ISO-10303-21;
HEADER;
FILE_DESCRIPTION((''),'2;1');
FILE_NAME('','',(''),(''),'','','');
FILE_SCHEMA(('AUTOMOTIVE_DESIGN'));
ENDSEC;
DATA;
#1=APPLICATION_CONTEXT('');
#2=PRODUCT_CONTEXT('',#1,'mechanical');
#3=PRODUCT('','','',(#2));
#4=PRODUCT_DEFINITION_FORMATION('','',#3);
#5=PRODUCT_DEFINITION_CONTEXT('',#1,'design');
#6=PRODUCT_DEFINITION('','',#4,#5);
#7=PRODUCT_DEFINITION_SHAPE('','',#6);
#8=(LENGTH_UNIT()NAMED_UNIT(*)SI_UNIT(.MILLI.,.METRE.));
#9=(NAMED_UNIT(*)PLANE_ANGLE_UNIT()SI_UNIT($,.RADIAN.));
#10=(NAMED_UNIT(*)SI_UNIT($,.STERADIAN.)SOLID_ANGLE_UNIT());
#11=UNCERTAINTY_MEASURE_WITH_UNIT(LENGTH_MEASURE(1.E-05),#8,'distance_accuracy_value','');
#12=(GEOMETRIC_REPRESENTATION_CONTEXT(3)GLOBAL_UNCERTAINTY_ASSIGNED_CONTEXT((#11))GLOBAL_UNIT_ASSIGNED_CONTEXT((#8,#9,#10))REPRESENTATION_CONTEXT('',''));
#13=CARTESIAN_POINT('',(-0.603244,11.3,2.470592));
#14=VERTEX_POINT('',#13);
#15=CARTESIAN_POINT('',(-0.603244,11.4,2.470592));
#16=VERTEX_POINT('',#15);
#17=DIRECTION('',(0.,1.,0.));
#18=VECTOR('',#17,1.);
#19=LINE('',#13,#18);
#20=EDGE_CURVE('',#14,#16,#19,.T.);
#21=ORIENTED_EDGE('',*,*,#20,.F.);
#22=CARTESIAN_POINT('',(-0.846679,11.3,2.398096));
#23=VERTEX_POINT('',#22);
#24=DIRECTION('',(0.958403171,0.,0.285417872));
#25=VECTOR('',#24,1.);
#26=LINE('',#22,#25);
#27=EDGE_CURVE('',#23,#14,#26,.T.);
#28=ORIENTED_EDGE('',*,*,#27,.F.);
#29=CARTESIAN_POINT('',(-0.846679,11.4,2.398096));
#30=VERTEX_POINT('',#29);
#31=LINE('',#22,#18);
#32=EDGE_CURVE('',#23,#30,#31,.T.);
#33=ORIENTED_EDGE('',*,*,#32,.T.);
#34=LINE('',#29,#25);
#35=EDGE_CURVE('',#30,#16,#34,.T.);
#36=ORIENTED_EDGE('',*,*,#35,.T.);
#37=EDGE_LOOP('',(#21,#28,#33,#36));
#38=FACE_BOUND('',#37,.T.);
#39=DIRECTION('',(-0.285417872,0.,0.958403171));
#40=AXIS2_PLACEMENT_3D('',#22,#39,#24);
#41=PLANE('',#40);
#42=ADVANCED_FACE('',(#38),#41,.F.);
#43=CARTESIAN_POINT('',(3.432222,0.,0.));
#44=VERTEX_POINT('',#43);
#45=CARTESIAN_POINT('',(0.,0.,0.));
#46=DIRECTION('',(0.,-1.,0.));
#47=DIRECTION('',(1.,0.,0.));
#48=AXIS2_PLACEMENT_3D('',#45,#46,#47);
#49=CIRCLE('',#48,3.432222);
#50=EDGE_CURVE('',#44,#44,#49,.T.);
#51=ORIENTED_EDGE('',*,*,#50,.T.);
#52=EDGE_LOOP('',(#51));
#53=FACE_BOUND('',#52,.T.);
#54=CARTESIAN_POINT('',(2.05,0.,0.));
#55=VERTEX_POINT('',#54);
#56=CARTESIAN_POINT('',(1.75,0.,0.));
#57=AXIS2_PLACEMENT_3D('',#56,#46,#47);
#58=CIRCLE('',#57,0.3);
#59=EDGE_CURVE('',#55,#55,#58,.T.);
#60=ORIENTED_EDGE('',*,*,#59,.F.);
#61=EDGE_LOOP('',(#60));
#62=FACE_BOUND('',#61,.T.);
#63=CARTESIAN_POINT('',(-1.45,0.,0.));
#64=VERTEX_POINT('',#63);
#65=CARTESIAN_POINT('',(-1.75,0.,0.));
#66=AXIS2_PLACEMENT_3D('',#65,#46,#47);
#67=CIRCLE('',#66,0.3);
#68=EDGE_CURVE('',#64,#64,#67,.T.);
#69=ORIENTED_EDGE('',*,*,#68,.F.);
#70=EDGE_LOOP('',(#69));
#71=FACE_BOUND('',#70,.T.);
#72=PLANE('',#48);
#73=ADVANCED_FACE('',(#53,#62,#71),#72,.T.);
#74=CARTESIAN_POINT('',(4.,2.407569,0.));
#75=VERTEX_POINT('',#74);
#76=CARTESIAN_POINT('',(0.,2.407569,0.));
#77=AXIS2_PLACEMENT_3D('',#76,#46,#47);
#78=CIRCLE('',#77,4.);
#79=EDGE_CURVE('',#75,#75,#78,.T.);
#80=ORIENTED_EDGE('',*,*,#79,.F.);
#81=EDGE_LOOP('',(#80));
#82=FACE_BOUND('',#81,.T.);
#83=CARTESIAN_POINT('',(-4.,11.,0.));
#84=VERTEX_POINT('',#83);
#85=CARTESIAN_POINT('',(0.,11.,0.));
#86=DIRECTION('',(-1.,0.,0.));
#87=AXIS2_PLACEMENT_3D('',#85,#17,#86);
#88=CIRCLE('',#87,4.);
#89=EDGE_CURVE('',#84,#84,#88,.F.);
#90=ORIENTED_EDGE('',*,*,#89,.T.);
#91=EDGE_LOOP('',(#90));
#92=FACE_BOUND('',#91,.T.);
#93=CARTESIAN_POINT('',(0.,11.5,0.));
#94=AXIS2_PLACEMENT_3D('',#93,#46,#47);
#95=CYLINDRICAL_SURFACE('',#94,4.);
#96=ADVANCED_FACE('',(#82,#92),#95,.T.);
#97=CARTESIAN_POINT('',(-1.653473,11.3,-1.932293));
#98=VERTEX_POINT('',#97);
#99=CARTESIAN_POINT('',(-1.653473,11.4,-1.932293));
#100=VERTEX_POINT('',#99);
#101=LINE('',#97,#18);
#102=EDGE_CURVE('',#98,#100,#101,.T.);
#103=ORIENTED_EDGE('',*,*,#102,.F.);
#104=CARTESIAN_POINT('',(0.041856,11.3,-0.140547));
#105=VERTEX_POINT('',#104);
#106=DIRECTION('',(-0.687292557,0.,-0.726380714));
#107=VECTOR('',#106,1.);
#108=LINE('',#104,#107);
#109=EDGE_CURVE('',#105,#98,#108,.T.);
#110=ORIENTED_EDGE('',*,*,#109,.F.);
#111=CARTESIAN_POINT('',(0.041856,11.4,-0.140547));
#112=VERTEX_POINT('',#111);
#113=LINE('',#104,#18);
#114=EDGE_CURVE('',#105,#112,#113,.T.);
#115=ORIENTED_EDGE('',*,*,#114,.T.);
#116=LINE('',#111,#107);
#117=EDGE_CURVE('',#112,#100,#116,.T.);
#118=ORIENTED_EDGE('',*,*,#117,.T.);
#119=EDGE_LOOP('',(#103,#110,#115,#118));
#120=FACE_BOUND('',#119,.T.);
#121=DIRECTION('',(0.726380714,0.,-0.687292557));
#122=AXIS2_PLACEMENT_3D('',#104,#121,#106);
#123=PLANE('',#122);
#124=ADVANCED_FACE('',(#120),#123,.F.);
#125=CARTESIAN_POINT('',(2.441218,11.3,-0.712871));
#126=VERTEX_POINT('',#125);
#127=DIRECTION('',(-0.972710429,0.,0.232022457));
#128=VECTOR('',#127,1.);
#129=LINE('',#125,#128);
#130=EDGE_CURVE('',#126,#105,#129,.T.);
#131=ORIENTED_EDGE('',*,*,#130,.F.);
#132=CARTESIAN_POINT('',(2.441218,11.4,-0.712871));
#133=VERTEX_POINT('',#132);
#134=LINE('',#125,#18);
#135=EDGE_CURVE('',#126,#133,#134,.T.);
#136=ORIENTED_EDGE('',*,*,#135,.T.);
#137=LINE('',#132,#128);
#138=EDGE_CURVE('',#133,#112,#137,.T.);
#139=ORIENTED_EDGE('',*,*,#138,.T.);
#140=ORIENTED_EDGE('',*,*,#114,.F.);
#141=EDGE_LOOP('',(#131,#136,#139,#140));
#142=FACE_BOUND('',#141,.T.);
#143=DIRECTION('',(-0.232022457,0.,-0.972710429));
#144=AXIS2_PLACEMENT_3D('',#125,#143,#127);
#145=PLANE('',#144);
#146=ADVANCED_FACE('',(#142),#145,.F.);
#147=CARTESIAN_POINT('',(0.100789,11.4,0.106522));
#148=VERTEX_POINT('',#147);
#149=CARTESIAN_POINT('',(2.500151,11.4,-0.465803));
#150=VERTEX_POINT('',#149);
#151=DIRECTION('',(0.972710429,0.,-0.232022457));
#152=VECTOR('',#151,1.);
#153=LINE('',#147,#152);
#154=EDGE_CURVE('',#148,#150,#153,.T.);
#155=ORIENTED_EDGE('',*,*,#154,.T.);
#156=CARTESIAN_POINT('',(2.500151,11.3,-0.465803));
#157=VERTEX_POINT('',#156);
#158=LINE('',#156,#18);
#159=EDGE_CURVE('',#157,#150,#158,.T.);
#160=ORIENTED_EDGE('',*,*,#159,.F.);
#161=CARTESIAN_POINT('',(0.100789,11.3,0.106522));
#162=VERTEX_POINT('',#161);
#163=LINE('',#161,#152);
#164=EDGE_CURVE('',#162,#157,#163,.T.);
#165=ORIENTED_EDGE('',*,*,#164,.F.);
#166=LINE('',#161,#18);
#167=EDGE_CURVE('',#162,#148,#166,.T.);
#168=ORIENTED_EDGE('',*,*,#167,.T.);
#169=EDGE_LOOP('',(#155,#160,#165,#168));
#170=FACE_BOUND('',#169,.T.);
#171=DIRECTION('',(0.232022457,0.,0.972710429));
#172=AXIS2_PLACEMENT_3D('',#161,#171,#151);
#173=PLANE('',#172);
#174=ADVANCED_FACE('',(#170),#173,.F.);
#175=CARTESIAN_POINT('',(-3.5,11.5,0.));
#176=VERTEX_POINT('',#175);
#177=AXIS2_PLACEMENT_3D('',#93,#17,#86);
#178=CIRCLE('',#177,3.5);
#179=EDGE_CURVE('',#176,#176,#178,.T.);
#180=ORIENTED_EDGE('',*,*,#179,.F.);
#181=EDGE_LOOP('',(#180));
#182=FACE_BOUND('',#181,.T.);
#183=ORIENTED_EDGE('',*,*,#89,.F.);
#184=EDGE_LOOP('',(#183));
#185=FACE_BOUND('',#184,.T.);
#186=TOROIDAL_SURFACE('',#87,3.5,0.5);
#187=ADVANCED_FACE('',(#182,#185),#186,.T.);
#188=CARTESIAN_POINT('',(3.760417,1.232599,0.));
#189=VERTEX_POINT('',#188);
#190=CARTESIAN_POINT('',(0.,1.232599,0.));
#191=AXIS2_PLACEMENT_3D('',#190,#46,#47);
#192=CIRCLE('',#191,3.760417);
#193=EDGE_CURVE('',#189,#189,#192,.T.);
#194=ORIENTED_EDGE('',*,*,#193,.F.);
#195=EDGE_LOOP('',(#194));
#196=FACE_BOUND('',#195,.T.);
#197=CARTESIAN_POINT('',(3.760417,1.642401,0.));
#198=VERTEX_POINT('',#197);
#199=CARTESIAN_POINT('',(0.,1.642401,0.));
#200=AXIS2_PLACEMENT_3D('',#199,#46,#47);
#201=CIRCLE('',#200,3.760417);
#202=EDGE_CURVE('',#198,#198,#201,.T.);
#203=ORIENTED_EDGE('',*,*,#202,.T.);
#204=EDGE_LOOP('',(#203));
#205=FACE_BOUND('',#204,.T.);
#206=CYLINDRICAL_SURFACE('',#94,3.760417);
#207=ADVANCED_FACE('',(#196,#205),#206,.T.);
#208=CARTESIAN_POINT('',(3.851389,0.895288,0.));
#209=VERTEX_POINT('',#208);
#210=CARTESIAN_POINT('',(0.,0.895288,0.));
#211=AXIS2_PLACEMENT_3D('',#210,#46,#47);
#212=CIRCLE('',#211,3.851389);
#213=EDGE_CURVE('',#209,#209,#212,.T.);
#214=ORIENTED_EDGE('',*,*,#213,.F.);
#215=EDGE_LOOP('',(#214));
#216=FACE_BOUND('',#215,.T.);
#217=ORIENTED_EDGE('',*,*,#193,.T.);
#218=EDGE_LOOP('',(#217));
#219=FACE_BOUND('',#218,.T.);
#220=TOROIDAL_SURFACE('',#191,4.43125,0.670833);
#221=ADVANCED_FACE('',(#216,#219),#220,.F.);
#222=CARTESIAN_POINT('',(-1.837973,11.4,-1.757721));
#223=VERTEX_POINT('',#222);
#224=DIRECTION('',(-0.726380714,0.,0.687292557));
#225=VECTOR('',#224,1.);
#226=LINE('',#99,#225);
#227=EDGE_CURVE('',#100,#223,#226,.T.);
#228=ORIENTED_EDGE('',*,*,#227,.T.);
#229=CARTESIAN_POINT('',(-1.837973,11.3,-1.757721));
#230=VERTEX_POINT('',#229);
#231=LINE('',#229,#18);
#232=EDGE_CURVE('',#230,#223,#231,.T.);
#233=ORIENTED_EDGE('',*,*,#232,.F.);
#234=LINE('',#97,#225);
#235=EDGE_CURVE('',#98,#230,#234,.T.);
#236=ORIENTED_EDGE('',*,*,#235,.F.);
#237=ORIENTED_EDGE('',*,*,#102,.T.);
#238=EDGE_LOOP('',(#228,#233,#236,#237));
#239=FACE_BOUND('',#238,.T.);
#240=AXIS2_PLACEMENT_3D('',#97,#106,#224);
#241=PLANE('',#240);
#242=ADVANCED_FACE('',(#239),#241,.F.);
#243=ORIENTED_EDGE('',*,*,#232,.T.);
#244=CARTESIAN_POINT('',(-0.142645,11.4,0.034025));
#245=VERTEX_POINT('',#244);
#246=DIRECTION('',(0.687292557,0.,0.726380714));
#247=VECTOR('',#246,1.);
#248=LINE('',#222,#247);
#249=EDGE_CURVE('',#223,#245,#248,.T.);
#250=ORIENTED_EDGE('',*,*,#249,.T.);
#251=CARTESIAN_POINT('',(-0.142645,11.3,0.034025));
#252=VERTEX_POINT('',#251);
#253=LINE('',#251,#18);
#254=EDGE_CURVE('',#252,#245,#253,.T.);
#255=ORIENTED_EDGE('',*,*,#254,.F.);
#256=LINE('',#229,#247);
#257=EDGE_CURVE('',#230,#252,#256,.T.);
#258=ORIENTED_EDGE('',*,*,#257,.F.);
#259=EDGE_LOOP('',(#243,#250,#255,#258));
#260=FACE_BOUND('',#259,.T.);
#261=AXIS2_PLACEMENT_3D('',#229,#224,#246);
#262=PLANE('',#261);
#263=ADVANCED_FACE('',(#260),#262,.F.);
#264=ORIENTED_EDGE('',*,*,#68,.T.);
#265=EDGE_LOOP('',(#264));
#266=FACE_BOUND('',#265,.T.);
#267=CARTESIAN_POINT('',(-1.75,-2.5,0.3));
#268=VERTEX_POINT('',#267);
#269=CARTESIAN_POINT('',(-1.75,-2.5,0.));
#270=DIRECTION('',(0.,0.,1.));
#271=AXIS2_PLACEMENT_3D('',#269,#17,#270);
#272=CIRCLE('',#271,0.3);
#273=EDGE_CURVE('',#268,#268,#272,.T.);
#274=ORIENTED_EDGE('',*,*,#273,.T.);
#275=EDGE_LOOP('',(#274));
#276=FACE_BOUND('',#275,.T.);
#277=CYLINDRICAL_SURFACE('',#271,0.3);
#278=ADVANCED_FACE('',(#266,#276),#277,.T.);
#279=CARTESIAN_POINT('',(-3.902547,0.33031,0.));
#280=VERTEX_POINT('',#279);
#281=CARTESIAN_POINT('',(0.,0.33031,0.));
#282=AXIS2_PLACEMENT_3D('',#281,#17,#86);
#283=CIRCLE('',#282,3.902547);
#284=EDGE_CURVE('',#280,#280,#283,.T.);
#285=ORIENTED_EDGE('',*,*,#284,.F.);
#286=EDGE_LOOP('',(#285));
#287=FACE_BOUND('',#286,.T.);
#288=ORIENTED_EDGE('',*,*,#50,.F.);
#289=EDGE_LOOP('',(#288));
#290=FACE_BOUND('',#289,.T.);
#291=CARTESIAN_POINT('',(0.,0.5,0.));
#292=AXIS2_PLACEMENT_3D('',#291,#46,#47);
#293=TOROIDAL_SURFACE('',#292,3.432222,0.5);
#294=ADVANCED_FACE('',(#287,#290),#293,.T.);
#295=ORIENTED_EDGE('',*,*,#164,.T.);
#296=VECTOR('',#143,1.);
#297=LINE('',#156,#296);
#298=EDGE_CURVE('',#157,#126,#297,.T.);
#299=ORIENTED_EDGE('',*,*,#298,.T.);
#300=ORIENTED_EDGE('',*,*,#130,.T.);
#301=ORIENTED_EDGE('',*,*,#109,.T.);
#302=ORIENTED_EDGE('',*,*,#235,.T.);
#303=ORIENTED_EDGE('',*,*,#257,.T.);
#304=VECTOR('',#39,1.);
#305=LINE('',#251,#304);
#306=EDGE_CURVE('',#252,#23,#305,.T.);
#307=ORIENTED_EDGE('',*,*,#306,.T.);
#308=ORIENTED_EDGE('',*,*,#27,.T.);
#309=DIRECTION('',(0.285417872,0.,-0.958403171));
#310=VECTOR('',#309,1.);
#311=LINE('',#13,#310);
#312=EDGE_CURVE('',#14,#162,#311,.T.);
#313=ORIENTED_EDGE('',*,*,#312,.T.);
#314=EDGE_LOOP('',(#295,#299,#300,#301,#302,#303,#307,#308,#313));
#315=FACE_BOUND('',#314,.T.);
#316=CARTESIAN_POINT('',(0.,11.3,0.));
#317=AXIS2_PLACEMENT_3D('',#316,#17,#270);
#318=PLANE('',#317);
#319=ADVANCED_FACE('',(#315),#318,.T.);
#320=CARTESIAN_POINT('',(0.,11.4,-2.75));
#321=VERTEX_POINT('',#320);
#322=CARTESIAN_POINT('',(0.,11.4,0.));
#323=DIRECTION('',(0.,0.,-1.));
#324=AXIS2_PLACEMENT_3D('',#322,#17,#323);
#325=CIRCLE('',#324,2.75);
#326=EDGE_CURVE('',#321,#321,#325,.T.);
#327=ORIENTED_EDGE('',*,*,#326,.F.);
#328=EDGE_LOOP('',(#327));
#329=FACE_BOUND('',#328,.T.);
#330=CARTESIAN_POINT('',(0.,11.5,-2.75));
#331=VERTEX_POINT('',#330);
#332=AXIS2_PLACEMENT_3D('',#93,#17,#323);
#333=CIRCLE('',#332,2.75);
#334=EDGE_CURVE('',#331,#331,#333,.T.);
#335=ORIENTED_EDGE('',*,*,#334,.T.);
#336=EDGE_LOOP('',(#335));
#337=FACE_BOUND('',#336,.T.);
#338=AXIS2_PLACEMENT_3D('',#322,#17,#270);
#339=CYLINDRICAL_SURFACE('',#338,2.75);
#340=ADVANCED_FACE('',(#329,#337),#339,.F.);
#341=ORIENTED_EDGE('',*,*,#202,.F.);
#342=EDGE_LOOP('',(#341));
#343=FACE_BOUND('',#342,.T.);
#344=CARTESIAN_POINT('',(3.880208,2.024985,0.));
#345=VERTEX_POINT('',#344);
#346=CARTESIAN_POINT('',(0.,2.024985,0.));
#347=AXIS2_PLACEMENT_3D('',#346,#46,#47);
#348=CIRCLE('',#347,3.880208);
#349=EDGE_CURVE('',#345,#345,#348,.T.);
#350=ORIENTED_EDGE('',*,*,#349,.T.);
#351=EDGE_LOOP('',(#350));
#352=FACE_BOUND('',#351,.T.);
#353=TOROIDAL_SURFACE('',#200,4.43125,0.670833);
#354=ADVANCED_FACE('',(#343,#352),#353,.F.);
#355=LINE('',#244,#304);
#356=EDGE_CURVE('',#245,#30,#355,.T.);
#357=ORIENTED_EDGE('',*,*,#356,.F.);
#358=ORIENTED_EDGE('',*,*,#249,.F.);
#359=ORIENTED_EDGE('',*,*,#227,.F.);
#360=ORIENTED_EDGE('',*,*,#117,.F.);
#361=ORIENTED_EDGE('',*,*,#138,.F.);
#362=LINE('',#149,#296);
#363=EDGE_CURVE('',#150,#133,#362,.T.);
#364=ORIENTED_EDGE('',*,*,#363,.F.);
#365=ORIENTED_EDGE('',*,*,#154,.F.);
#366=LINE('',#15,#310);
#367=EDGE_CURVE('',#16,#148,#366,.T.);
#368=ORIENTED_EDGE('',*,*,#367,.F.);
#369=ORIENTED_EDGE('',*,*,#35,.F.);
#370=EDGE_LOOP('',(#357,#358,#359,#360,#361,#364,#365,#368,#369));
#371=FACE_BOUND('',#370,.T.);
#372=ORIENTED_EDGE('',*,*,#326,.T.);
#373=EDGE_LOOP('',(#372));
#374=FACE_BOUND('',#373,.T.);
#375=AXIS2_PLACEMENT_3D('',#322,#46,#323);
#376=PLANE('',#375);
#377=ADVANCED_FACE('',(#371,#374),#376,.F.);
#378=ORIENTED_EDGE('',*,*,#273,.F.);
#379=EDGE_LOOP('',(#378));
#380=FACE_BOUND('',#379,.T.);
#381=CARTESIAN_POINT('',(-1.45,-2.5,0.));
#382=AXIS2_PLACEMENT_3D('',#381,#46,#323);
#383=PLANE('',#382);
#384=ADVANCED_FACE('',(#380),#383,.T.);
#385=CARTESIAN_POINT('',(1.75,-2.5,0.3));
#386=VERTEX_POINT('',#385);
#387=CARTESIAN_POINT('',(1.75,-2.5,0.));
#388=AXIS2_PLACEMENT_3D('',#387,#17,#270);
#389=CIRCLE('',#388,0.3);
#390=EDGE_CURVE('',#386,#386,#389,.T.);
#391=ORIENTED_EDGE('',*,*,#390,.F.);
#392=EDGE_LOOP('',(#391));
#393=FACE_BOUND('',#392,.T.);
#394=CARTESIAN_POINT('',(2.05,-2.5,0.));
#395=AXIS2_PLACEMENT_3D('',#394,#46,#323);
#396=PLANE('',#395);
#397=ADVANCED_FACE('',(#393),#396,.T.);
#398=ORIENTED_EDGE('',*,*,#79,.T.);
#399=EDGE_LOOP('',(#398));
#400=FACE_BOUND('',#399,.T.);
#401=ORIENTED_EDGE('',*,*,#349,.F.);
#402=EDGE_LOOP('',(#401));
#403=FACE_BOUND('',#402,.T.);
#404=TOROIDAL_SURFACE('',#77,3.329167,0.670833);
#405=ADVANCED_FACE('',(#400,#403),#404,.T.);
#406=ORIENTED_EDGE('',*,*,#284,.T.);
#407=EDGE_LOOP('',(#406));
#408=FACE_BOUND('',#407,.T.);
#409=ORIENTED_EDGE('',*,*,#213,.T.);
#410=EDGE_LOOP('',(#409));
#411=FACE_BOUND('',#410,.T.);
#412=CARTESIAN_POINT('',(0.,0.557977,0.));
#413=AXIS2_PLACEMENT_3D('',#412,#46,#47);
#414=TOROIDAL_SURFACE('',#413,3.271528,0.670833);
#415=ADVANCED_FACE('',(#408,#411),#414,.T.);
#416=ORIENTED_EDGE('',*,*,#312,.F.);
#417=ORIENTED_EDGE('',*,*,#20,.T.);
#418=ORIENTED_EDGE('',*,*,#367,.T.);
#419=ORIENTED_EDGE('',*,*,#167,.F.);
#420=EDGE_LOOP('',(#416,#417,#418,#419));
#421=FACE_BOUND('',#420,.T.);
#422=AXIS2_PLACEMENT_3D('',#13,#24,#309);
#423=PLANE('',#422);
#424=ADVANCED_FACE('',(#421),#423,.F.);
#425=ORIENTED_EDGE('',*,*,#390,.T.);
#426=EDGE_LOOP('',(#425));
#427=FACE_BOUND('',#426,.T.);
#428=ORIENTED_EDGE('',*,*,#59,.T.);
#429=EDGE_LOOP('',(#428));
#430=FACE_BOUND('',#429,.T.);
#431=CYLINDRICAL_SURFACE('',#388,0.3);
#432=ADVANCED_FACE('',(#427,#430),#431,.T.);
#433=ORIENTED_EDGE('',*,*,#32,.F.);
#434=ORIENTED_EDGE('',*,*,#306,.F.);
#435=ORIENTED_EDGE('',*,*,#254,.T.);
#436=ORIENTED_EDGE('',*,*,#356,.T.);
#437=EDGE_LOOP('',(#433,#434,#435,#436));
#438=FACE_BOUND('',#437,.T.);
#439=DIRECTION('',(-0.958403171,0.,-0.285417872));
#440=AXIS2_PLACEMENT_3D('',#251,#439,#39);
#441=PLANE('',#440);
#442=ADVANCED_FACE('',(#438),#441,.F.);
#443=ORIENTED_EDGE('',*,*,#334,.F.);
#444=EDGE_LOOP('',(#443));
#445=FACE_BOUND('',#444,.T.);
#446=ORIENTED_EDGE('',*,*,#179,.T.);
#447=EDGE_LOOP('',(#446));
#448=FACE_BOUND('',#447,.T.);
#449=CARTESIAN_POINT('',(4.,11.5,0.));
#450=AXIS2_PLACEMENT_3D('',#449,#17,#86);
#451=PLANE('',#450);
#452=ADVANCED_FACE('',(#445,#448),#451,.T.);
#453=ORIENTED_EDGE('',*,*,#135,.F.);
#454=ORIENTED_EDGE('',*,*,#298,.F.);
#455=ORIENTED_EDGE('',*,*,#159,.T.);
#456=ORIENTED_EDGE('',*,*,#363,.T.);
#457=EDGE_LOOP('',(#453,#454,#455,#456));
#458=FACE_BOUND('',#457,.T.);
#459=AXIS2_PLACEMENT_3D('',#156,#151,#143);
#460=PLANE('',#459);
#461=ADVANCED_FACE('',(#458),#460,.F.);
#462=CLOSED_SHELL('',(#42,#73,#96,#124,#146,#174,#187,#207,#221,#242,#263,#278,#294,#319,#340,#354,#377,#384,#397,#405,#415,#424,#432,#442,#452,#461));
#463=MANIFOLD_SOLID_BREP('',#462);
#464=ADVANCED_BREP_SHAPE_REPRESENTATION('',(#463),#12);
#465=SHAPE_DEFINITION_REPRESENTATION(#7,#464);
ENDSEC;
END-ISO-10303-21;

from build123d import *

# Parameters (mm, degrees)
SKETCH2_R          = 2.75
CUT_EXTRUDE1_DEPTH = 0.1
CUT_EXTRUDE2_DEPTH = 0.1
SKETCH4_W          = 0.3
SKETCH4_H          = 2.5
SKETCH5_W          = 0.3
SKETCH5_H          = 2.5
FILLET1_R          = 0.5


with BuildPart() as part:
    # Sketch1 → Revolve1 (revolve)
    with BuildSketch(Plane.XY):
        with BuildLine():
            Line((4, 11.5), (0, 11.5))
            Line((0, 11.5), (0, 0))
            Line((0, 0), (3.643923536, 0))
            ThreePointArc((3.643923536, 0), (3.925044146, 0.40653797), (3.851388969, 0.895288247))
            ThreePointArc((3.851388969, 0.895288247), (3.78355892, 1.057917503), (3.760416667, 1.232599004))
            Line((3.760416667, 1.232599004), (3.760416667, 1.642400996))
            ThreePointArc((3.760416667, 1.642400996), (3.791064683, 1.842850794), (3.880208333, 2.024984899))
            ThreePointArc((3.880208333, 2.024984899), (3.969351983, 2.207119004), (4, 2.407568802))
            Line((4, 2.407568802), (4, 11.5))
        make_face()
    revolve(axis=Axis((0, 11.5, 0), (0, -1, 0)))

    # Sketch2 → Cut-Extrude1 (cut)
    with BuildSketch(Plane(origin=(0, 11.5, 0), x_dir=(-1, 0, 0), z_dir=(0, 1, 0))):
        with Locations(Location((0, 0, 0), (0, 0, 270))):
            Circle(SKETCH2_R)
    extrude(amount=-CUT_EXTRUDE1_DEPTH, mode=Mode.SUBTRACT)

    # Sketch3 → Cut-Extrude2 (cut)
    with BuildSketch(Plane(origin=(0, 11.4, 0), x_dir=(-1, 0, 0), z_dir=(0, 1, 0))):
        Polygon((1.653472744, -1.932293167), (1.837973446, -1.757720858), (0.142645036, 0.03402539), (0.846678598, 2.398095985), (0.603244193, 2.470592124), (-0.10078937, 0.10652153), (-2.500151342, -0.465802817), (-2.441217638, -0.712871266), (-0.041855666, -0.14054692), align=None)
    extrude(amount=-CUT_EXTRUDE2_DEPTH, mode=Mode.SUBTRACT)

    # Sketch4 → Revolve2 (revolve)
    with BuildSketch(Plane(origin=(0, 0, 0), x_dir=(-1, 0, 0), z_dir=(0, 0, -1)), mode=Mode.PRIVATE) as revolve2_sk:
        with Locations((-1.9, -1.25)):
            Rectangle(SKETCH4_W, SKETCH4_H)
    revolve(revolve2_sk.sketch.rotate(Axis((1.75, -2.5, 0), (0, 1, 0)), 270), axis=Axis((1.75, -2.5, 0), (0, 1, 0)))

    # Sketch5 → Revolve3 (revolve)
    with BuildSketch(Plane(origin=(0, 0, 0), x_dir=(-1, 0, 0), z_dir=(0, 0, -1)), mode=Mode.PRIVATE) as revolve3_sk:
        with Locations((1.6, -1.25)):
            Rectangle(SKETCH5_W, SKETCH5_H)
    revolve(revolve3_sk.sketch.rotate(Axis((-1.75, -2.5, 0), (0, 1, 0)), 270), axis=Axis((-1.75, -2.5, 0), (0, 1, 0)))

    # Fillet1
    fillet1_edges = [part.edges().sort_by_distance(p)[0] for p in [
        (-4, 11.5, 0),
        (-3.643923536, 0, 0),
    ]]
    fillet(fillet1_edges, radius=FILLET1_R)


solid = part.part
